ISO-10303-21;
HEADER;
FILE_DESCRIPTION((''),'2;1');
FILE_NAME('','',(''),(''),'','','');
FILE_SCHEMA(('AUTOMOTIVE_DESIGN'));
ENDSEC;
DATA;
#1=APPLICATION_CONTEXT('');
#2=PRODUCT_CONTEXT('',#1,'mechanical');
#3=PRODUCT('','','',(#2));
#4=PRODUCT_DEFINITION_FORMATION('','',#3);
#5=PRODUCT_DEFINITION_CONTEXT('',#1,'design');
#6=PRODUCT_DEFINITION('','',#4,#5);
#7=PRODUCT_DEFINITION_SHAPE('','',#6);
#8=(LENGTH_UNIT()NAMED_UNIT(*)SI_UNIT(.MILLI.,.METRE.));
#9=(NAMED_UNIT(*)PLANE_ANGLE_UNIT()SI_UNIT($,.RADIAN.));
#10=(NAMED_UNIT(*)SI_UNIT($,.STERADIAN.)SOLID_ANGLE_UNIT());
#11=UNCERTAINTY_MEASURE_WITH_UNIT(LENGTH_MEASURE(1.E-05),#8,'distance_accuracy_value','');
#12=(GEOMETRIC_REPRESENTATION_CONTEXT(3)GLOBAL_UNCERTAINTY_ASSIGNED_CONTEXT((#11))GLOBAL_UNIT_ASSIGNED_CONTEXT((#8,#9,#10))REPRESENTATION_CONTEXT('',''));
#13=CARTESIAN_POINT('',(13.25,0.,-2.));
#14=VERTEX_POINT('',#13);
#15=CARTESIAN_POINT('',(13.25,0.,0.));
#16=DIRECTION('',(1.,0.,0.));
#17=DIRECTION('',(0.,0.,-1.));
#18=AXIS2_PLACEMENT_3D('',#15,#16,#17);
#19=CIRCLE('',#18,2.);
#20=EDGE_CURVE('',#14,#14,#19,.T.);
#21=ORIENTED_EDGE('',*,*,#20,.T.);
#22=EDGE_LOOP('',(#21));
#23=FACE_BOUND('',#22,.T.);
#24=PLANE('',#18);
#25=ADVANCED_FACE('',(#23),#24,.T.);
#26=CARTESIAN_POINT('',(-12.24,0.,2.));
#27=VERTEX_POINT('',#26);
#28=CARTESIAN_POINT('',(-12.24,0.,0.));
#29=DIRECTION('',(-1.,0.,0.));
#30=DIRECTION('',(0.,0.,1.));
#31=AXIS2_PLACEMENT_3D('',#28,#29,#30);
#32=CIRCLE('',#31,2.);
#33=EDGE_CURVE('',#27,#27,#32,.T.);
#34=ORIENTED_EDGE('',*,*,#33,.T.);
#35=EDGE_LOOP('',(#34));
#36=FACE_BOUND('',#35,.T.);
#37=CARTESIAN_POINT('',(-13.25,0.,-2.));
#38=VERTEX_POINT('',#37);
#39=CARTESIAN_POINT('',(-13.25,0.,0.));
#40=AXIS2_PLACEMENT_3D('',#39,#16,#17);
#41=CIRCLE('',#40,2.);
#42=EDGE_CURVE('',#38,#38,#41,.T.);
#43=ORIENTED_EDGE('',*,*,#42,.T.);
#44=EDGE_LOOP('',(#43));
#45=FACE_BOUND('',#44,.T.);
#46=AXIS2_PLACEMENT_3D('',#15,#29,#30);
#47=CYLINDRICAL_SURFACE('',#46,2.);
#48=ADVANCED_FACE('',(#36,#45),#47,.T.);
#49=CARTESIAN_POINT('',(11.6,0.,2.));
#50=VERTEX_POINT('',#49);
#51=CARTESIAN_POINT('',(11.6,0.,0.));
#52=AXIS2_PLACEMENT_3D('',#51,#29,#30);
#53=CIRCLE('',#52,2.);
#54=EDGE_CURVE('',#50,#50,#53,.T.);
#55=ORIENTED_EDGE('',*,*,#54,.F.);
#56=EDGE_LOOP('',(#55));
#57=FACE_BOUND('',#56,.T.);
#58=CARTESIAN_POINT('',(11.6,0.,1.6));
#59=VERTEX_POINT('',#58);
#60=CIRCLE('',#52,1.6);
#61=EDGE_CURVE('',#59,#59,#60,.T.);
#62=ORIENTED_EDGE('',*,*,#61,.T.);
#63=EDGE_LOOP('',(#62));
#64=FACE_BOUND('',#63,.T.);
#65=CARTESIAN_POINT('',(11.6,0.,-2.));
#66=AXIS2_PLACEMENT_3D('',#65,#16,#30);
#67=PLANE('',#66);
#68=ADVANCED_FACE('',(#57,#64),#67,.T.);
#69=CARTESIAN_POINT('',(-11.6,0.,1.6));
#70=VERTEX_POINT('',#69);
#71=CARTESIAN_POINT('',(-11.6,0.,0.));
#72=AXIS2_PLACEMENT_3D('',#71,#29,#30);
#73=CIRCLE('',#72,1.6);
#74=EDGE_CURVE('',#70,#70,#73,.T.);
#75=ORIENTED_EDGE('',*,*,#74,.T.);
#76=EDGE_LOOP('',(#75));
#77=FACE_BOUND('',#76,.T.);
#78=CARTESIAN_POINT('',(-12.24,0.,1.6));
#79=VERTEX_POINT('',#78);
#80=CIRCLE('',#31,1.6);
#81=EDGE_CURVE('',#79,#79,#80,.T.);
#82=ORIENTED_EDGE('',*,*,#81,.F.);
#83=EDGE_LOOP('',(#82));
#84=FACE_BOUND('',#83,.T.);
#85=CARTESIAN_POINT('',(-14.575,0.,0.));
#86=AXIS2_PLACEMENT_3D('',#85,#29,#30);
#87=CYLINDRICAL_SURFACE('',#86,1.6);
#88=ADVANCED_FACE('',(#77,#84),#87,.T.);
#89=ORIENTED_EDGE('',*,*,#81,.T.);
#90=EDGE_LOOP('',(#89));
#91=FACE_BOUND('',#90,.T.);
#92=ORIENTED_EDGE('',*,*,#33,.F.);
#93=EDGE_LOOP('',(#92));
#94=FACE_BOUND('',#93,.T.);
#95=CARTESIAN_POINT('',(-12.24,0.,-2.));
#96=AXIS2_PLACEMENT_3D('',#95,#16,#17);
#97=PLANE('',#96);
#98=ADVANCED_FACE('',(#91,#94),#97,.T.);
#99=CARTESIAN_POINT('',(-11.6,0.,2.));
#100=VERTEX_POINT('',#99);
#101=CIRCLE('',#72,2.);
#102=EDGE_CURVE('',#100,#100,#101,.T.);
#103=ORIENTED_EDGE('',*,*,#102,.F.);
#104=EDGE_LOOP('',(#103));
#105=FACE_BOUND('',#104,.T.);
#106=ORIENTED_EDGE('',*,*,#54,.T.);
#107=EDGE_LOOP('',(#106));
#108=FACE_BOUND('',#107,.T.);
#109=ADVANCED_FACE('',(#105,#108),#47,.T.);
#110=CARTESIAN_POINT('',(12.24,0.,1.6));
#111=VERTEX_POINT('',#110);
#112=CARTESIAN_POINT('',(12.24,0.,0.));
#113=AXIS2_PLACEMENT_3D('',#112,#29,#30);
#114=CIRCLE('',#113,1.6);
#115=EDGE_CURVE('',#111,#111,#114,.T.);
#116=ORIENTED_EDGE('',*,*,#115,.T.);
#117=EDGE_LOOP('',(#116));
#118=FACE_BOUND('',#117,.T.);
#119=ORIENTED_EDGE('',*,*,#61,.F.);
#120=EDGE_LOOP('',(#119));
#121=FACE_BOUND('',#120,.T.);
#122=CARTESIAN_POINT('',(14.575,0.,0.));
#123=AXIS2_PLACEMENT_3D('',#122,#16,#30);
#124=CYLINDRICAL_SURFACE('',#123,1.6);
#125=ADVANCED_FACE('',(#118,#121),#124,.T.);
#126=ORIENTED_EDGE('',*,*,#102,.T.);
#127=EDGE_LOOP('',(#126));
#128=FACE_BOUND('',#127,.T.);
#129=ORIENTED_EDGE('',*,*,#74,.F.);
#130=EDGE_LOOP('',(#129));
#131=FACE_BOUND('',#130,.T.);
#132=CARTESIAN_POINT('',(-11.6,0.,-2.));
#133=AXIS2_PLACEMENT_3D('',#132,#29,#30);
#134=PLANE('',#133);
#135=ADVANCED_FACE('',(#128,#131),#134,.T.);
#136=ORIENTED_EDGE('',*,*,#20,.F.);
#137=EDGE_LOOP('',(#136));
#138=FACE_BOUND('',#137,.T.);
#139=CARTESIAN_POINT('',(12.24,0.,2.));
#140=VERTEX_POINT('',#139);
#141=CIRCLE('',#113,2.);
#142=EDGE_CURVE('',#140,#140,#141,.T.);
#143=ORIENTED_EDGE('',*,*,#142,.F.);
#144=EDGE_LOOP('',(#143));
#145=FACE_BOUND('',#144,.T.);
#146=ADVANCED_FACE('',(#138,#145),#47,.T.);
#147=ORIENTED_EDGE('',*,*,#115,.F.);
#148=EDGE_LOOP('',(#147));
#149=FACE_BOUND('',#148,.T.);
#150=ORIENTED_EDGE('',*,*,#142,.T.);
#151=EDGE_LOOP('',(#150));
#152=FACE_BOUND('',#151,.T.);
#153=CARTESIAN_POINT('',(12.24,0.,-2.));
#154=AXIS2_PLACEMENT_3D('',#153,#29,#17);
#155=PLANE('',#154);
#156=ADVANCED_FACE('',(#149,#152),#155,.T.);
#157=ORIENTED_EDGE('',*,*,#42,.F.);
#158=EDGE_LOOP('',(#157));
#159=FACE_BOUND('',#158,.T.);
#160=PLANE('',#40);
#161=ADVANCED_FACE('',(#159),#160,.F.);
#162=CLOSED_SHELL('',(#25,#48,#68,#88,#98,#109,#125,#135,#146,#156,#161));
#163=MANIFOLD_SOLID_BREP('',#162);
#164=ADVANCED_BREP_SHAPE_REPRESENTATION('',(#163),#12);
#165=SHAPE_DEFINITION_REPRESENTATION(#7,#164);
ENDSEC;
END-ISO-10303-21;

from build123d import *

# Parameters (mm, degrees)
SKETCH1_R           = 2
BOSS_EXTRUDE1_DEPTH = 13.25
SKETCH2_W           = 0.64
SKETCH2_H           = 0.4


with BuildPart() as part:
    # Sketch1 → Boss-Extrude1 (new, symmetric)
    with BuildSketch(Plane(origin=(0, 0, 0), x_dir=(0, 0, -1), z_dir=(1, 0, 0))):
        Circle(SKETCH1_R)
    extrude(amount=BOSS_EXTRUDE1_DEPTH, both=True)

    # Sketch2 → Cut-Revolve1 (revolve, cut)
    with BuildSketch(Plane(origin=(0, 0, 0), x_dir=(1, 0, 0), z_dir=(0, 1, 0)), mode=Mode.PRIVATE) as cut_revolve1_sk:
        with Locations((-11.92, 1.8)):
            Rectangle(SKETCH2_W, SKETCH2_H)
    cut_revolve1 = revolve(cut_revolve1_sk.sketch.rotate(Axis((-14.575, 0, 0), (1, 0, 0)), 180), axis=Axis((-14.575, 0, 0), (1, 0, 0)), mode=Mode.SUBTRACT)

    # Mirror1: Cut-Revolve1 across plane
    add(cut_revolve1.mirror(Plane(origin=(0, 0, 0), x_dir=(0, 0, 1), z_dir=(1, 0, 0))), mode=Mode.SUBTRACT)


solid = part.part
